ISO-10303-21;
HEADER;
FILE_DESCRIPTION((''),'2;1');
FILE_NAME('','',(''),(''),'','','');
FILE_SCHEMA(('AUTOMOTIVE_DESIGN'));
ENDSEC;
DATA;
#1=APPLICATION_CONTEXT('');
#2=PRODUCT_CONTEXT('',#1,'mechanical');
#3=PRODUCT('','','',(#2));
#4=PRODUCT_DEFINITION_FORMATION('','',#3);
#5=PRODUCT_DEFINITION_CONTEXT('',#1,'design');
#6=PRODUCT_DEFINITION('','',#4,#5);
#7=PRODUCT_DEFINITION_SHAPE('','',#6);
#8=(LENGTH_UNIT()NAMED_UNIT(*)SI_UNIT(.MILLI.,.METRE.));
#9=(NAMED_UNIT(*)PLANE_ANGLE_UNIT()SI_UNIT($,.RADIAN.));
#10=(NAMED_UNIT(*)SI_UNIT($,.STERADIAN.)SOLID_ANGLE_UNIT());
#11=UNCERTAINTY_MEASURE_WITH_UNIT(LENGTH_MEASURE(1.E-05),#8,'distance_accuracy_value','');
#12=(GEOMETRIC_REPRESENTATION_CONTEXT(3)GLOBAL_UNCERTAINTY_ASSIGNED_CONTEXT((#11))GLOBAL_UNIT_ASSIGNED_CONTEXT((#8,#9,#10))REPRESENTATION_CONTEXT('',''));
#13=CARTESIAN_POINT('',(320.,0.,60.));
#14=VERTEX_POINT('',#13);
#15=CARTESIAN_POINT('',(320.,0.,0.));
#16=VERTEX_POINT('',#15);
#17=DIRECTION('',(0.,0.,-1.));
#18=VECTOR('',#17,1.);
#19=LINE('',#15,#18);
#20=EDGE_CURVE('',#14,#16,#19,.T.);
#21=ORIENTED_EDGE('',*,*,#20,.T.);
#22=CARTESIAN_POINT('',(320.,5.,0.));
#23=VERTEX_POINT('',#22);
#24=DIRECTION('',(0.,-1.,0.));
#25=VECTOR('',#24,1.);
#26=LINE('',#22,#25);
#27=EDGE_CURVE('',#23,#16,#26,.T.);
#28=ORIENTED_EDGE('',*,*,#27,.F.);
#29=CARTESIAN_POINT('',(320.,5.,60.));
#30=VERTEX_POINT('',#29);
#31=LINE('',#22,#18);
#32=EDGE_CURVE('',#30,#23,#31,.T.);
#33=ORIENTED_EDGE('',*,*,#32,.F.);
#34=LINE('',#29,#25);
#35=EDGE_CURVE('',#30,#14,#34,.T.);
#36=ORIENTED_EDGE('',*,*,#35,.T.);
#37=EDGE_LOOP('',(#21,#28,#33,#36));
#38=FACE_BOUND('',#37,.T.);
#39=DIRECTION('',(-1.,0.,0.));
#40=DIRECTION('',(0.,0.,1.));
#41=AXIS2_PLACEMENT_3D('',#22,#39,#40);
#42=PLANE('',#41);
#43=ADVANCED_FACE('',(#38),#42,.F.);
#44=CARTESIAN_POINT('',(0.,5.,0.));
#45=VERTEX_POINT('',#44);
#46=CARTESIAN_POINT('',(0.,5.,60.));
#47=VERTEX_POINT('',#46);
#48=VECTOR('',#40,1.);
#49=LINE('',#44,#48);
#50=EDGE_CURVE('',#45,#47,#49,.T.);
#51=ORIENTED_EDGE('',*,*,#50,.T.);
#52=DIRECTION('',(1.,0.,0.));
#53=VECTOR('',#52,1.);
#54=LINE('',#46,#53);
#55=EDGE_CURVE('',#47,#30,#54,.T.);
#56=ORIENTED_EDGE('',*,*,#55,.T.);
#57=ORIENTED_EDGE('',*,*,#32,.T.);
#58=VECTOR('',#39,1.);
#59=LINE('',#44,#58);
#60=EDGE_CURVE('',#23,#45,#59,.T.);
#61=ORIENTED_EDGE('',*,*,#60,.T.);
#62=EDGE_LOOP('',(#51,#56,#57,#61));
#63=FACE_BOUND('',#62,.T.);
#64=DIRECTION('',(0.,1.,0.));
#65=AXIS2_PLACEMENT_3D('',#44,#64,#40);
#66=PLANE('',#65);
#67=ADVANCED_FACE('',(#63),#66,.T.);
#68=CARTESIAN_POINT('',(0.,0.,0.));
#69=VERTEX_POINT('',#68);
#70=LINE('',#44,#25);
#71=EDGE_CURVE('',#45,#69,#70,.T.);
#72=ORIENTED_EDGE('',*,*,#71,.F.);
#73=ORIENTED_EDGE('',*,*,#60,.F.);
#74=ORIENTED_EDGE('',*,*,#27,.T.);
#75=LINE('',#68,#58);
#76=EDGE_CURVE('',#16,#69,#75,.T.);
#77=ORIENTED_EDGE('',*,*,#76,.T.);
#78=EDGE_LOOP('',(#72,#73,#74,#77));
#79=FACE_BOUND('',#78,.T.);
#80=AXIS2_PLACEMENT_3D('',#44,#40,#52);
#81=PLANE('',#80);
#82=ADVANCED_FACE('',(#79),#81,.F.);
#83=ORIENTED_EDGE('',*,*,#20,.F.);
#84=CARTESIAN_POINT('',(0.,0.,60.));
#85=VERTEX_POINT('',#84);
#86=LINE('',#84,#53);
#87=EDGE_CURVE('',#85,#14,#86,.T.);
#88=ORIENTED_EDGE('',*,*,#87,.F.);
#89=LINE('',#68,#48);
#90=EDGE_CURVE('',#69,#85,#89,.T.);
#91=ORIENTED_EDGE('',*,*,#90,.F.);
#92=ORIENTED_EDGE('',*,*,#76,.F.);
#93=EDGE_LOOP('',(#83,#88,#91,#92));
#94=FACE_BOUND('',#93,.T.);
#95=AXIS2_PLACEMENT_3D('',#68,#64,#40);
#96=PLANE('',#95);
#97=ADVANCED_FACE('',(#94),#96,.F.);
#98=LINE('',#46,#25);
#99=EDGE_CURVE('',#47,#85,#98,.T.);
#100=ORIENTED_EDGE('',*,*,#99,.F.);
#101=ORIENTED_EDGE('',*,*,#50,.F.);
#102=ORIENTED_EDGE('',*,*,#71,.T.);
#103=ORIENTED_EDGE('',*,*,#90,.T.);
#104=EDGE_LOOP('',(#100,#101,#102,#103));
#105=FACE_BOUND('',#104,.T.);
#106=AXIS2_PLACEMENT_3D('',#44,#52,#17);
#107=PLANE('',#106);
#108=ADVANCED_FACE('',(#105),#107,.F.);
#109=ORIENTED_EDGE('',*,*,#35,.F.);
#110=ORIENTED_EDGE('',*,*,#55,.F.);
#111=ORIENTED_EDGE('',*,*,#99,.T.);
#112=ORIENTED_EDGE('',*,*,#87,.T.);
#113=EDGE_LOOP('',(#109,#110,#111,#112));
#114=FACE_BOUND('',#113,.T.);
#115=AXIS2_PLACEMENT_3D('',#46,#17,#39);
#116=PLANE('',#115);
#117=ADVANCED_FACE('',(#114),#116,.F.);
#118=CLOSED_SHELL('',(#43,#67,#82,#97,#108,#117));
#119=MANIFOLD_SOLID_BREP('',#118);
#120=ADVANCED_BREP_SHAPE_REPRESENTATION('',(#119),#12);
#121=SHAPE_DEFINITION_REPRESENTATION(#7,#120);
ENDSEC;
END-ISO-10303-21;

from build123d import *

# Parameters (mm, degrees)
SKETCH_1_W      = 320
SKETCH_1_H      = 60
EXTRUDE_1_DEPTH = 5


with BuildPart() as part:
    # 草图1 → 凸台-拉伸1 (new body)
    with BuildSketch(Plane(origin=(0, 0, 0), x_dir=(1, 0, 0), z_dir=(0, 1, 0))):
        with Locations((160, -30)):
            Rectangle(SKETCH_1_W, SKETCH_1_H)
    extrude(amount=EXTRUDE_1_DEPTH)


solid = part.part
